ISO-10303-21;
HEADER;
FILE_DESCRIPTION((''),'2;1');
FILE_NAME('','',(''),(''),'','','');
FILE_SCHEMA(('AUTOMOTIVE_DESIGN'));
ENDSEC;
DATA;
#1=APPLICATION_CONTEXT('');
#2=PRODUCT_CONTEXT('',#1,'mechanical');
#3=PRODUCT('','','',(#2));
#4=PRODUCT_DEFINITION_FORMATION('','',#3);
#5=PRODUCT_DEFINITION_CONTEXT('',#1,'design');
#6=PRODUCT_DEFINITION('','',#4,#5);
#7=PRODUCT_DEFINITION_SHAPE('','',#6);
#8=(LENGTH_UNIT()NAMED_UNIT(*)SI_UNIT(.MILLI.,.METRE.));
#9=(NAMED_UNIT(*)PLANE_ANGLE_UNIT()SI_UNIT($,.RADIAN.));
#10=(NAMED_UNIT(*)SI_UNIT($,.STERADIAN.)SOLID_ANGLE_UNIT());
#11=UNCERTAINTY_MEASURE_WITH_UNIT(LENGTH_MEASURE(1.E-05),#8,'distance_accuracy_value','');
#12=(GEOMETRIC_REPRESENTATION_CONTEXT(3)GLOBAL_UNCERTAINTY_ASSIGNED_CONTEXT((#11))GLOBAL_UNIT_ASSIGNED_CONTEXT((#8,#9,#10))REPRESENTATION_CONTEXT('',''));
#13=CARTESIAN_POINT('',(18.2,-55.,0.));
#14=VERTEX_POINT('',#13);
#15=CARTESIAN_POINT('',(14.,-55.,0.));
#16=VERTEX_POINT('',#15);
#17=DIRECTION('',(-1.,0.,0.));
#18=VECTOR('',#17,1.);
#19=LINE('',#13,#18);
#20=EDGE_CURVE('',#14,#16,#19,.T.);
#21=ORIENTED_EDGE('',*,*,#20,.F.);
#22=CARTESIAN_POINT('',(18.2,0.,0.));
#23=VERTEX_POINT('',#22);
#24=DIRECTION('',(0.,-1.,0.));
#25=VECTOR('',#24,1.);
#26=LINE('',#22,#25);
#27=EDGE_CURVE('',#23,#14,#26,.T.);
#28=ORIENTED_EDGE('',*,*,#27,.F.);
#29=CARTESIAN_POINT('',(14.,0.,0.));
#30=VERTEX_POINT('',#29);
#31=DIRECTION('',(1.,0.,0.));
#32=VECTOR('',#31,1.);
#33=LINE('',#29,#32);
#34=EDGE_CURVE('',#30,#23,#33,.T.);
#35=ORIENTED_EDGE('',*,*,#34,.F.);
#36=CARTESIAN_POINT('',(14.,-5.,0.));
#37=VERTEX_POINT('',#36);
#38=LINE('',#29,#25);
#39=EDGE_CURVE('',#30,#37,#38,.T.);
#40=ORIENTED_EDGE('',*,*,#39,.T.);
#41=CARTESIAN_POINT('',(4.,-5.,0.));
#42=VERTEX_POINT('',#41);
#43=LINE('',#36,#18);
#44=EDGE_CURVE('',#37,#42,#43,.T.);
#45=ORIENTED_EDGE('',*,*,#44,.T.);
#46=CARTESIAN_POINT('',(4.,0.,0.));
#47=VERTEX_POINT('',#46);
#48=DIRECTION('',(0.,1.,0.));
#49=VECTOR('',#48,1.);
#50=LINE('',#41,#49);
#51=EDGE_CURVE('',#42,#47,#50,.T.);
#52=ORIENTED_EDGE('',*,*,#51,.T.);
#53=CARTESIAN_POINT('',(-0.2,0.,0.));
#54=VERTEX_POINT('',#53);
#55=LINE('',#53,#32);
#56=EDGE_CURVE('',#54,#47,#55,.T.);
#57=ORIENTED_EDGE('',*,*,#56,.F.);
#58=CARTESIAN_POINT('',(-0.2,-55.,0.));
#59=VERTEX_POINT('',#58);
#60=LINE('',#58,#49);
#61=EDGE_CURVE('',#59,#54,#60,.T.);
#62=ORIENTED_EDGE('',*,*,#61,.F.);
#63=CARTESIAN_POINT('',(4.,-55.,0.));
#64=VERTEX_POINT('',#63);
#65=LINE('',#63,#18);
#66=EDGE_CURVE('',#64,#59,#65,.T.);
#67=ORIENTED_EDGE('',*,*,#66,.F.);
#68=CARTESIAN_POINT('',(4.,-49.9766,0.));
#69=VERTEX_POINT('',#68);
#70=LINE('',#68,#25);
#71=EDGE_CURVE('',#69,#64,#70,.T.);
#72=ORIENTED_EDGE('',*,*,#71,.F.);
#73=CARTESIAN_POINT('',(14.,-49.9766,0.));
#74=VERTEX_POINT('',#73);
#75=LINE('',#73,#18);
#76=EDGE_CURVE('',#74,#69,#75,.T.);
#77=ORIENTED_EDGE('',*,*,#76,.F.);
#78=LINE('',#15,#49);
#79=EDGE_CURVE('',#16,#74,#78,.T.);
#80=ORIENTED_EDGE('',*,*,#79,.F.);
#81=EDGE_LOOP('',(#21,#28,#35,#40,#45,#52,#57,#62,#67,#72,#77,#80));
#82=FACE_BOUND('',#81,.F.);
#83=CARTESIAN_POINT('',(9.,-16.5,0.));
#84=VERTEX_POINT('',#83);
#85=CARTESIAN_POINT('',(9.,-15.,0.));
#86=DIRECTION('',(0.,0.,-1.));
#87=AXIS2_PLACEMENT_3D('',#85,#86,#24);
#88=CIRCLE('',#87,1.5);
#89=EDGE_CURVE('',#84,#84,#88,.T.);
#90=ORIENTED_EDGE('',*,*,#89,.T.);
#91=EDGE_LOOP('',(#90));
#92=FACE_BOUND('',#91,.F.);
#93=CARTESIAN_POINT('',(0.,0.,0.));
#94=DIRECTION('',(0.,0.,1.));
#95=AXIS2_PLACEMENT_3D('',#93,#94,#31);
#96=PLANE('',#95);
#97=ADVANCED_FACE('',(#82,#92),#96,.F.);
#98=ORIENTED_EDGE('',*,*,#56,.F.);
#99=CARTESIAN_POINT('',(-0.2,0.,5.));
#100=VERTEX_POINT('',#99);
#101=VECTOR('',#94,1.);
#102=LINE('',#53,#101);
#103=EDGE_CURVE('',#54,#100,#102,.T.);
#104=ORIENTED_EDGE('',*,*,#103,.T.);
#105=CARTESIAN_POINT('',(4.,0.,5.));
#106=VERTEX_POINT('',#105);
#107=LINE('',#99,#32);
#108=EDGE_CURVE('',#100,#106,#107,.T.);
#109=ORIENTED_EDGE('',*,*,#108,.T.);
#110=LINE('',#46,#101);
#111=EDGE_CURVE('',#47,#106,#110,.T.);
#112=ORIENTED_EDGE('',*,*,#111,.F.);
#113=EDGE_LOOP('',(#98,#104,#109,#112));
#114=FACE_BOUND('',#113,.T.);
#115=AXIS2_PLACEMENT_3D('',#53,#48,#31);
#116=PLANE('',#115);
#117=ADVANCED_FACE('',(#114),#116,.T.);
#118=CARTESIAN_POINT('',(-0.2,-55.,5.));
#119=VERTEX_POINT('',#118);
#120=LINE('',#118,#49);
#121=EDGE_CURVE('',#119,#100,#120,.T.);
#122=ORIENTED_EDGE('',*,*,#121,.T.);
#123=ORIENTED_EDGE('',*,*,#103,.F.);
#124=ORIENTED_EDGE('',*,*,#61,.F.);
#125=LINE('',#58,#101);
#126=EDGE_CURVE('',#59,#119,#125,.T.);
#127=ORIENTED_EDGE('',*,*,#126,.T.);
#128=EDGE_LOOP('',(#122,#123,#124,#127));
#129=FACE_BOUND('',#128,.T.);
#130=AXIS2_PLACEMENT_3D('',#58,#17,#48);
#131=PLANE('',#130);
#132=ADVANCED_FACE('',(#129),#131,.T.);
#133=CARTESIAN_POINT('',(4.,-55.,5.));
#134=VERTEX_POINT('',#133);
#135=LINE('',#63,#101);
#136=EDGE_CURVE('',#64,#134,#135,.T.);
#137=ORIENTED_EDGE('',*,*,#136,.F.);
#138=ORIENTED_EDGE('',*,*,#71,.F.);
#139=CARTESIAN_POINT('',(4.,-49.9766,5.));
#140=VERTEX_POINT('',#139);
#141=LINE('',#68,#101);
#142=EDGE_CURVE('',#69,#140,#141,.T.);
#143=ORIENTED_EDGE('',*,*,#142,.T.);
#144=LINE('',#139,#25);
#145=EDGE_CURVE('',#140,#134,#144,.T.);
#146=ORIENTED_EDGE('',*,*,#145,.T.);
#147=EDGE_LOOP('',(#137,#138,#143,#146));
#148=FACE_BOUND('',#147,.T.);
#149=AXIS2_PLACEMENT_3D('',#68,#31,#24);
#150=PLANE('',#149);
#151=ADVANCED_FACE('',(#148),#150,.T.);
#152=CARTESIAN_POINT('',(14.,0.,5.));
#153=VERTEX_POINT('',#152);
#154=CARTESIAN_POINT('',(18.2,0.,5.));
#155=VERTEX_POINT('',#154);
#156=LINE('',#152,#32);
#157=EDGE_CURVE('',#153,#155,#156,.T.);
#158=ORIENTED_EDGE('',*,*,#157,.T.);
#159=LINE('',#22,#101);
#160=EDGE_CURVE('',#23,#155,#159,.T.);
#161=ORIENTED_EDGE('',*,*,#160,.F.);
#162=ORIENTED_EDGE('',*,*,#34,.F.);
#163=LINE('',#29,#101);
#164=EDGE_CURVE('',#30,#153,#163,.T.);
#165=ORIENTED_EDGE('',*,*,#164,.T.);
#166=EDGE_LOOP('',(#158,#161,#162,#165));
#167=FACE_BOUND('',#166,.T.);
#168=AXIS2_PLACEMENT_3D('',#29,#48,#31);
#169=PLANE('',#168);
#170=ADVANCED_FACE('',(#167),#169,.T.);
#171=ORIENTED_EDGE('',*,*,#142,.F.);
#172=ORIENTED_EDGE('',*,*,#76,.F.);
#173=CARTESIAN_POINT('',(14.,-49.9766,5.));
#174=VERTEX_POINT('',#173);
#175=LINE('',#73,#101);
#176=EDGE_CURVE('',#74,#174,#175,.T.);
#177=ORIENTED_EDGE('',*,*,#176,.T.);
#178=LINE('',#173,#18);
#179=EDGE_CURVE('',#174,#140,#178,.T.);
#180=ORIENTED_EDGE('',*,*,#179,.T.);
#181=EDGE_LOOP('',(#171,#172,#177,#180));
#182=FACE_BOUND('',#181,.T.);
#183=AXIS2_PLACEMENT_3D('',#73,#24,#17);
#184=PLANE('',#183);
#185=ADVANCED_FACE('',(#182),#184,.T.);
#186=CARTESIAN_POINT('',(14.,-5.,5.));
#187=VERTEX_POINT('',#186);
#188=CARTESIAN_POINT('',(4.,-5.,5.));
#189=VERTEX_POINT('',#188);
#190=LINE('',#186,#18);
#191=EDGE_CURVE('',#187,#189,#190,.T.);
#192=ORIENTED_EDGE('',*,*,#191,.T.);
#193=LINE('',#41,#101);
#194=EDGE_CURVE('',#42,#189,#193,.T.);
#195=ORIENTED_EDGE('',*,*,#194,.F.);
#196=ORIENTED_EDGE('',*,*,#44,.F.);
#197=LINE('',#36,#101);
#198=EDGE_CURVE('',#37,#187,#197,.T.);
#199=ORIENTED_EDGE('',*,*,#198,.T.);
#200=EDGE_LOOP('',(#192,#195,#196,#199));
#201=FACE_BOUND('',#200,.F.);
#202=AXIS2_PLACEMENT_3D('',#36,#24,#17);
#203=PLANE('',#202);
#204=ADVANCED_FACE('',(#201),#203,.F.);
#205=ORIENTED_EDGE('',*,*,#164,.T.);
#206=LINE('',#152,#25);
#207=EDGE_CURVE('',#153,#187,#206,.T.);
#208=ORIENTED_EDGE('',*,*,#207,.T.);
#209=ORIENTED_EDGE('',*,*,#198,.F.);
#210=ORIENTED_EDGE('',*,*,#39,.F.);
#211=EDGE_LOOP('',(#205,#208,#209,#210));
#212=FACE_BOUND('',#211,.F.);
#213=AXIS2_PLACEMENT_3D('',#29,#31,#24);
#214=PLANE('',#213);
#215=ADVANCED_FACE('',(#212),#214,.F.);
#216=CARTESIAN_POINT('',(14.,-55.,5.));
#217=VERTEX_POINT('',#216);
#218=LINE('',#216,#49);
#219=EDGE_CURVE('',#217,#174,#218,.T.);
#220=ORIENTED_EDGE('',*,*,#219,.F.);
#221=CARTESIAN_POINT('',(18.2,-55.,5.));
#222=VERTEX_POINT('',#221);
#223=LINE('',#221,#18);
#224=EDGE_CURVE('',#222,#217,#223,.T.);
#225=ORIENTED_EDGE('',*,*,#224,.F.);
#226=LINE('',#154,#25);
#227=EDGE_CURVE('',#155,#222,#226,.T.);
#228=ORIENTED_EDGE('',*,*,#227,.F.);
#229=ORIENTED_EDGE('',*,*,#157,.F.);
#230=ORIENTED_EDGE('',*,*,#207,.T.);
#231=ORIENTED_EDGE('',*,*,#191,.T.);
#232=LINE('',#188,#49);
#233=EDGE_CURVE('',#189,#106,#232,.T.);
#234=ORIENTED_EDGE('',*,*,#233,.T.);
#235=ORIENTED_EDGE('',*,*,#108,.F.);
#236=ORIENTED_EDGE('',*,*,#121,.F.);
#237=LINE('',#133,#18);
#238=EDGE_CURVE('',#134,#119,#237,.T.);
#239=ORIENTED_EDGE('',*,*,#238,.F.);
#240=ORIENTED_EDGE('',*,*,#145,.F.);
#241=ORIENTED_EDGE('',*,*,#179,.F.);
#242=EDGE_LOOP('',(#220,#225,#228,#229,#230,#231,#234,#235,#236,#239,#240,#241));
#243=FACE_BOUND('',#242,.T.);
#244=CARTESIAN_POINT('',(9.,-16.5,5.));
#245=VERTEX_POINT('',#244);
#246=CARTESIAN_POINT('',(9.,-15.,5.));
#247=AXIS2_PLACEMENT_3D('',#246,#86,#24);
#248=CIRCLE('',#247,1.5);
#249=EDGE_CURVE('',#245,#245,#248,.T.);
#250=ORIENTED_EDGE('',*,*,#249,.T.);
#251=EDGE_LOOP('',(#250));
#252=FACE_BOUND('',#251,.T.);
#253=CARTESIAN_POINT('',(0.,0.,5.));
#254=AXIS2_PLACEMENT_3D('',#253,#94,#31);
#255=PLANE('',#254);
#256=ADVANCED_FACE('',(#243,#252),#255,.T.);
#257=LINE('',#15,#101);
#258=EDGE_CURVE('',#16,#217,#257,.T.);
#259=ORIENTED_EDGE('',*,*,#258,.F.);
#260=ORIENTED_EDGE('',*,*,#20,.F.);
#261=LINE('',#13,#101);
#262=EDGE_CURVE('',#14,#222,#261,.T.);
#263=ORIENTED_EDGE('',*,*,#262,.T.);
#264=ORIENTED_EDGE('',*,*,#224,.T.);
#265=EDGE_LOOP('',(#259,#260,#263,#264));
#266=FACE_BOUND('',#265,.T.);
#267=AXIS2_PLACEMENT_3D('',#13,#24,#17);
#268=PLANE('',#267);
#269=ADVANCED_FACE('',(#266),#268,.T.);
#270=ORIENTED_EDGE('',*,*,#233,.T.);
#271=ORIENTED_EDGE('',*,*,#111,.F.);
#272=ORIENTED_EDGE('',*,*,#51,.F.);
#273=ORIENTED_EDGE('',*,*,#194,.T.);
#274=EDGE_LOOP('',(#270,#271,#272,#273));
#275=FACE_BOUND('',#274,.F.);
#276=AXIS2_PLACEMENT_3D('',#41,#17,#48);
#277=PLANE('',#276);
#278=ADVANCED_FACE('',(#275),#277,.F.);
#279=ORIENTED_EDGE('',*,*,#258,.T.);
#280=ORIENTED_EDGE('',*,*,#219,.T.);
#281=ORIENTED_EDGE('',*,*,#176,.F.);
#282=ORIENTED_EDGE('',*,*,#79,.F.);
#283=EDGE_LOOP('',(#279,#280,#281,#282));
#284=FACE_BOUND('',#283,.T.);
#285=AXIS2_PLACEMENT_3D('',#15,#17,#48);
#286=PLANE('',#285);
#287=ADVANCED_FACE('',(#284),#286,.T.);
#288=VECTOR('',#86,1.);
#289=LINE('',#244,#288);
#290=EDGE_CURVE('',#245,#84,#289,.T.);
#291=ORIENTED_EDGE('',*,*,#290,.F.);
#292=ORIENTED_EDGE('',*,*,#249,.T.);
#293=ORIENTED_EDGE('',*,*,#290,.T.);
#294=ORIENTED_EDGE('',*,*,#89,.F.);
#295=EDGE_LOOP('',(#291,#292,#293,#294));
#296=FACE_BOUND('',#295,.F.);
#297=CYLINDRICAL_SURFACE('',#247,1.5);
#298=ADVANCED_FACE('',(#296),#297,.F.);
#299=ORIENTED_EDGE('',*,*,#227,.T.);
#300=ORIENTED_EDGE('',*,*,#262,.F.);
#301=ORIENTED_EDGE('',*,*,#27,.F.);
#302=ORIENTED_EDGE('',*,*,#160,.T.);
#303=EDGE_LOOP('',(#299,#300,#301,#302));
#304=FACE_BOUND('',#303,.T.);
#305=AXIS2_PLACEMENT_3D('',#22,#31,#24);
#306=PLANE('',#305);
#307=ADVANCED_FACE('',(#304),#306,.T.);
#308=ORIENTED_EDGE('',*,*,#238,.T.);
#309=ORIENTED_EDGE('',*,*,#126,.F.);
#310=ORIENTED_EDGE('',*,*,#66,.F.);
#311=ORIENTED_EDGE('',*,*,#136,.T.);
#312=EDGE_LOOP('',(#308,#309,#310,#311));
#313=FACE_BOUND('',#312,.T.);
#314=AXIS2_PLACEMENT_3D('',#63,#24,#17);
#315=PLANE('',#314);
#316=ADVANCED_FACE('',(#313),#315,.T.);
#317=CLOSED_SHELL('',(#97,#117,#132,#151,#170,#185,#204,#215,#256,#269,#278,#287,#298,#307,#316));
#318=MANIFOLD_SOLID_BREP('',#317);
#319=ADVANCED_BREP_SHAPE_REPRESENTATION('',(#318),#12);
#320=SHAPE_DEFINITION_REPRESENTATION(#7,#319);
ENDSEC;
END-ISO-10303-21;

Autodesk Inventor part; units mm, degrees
ref_plane "YZ Plane" through (0, 0, 0) normal (1, 0, 0) x (0, 1, 0)
ref_plane "XZ Plane" through (0, 0, 0) normal (0, 1, 0) x (-1, 0, 0)
ref_plane "XY Plane" through (0, 0, 0) normal (0, 0, 1) x (1, 0, 0)
sketch "Sketch1" plane through (0, 0, 0) normal (0, 0, 1) x (1, 0, 0)
  line L0 (0, 0) -> (18, 0) construction
  line L1 (18, -55) -> (0, -55) construction
  line L2 (-0.2, 0) -> (4, 0)
  line L3 (18.2, 0) -> (18.2, -55)
  line L4 (18.2, -55) -> (14, -55)
  line L5 (-0.2, -55) -> (-0.2, 0)
  line L6 (14, 0) -> (14, -5)
  line L7 (14, -5) -> (4, -5)
  line L8 (4, -5) -> (4, 0)
  line L9 (14, 0) -> (18.2, 0)
  line L10 (14, -55) -> (14, -49.9766)
  line L11 (14, -49.9766) -> (4, -49.9766)
  line L12 (4, -49.9766) -> (4, -55)
  line L13 (4, -55) -> (-0.2, -55)
  point P0 (1, -55)
  point P1 (16.8146, 0)
  point P2 (4, -2.5)
  point P3 (4, -52.4883)
  point P4 (14, -52.4883)
  point P5 (14, -2.5)
  dimension "d33" = 18.4
  dimension "d34" = 0.2
  dimension "d35" = 4.2
  dimension "d36" = 4.2
  dimension "d37" = 5
  dimension "d38" = 0
  dimension "d39" = 5.0234
  dimension "d40" = 0
extrude "Extrusion1" add sketch "Sketch1" along normal blind 5
sketch "Sketch3" plane through (0, 0, 5) normal (0, 0, 1) x (1, 0, 0)
  line L0 (-0.2, 0) -> (-0.2, -55) projected
  circle A0 centre (9, -15) radius 1.5
  line L1 (4, 0) -> (-0.2, 0) projected
  point P0 (0, 0)
  point P1 (1, -55)
  dimension "d21" = 3
  dimension "d25" = 9.2
  dimension "d41" = 15
hole "Hole2" at (9, -15, 5) direction (0, 0, -1) diameter 3 depth 8 tip angle 118
equation "\"d26\" = d21"
properties part number "Z-Kettenhalter"
